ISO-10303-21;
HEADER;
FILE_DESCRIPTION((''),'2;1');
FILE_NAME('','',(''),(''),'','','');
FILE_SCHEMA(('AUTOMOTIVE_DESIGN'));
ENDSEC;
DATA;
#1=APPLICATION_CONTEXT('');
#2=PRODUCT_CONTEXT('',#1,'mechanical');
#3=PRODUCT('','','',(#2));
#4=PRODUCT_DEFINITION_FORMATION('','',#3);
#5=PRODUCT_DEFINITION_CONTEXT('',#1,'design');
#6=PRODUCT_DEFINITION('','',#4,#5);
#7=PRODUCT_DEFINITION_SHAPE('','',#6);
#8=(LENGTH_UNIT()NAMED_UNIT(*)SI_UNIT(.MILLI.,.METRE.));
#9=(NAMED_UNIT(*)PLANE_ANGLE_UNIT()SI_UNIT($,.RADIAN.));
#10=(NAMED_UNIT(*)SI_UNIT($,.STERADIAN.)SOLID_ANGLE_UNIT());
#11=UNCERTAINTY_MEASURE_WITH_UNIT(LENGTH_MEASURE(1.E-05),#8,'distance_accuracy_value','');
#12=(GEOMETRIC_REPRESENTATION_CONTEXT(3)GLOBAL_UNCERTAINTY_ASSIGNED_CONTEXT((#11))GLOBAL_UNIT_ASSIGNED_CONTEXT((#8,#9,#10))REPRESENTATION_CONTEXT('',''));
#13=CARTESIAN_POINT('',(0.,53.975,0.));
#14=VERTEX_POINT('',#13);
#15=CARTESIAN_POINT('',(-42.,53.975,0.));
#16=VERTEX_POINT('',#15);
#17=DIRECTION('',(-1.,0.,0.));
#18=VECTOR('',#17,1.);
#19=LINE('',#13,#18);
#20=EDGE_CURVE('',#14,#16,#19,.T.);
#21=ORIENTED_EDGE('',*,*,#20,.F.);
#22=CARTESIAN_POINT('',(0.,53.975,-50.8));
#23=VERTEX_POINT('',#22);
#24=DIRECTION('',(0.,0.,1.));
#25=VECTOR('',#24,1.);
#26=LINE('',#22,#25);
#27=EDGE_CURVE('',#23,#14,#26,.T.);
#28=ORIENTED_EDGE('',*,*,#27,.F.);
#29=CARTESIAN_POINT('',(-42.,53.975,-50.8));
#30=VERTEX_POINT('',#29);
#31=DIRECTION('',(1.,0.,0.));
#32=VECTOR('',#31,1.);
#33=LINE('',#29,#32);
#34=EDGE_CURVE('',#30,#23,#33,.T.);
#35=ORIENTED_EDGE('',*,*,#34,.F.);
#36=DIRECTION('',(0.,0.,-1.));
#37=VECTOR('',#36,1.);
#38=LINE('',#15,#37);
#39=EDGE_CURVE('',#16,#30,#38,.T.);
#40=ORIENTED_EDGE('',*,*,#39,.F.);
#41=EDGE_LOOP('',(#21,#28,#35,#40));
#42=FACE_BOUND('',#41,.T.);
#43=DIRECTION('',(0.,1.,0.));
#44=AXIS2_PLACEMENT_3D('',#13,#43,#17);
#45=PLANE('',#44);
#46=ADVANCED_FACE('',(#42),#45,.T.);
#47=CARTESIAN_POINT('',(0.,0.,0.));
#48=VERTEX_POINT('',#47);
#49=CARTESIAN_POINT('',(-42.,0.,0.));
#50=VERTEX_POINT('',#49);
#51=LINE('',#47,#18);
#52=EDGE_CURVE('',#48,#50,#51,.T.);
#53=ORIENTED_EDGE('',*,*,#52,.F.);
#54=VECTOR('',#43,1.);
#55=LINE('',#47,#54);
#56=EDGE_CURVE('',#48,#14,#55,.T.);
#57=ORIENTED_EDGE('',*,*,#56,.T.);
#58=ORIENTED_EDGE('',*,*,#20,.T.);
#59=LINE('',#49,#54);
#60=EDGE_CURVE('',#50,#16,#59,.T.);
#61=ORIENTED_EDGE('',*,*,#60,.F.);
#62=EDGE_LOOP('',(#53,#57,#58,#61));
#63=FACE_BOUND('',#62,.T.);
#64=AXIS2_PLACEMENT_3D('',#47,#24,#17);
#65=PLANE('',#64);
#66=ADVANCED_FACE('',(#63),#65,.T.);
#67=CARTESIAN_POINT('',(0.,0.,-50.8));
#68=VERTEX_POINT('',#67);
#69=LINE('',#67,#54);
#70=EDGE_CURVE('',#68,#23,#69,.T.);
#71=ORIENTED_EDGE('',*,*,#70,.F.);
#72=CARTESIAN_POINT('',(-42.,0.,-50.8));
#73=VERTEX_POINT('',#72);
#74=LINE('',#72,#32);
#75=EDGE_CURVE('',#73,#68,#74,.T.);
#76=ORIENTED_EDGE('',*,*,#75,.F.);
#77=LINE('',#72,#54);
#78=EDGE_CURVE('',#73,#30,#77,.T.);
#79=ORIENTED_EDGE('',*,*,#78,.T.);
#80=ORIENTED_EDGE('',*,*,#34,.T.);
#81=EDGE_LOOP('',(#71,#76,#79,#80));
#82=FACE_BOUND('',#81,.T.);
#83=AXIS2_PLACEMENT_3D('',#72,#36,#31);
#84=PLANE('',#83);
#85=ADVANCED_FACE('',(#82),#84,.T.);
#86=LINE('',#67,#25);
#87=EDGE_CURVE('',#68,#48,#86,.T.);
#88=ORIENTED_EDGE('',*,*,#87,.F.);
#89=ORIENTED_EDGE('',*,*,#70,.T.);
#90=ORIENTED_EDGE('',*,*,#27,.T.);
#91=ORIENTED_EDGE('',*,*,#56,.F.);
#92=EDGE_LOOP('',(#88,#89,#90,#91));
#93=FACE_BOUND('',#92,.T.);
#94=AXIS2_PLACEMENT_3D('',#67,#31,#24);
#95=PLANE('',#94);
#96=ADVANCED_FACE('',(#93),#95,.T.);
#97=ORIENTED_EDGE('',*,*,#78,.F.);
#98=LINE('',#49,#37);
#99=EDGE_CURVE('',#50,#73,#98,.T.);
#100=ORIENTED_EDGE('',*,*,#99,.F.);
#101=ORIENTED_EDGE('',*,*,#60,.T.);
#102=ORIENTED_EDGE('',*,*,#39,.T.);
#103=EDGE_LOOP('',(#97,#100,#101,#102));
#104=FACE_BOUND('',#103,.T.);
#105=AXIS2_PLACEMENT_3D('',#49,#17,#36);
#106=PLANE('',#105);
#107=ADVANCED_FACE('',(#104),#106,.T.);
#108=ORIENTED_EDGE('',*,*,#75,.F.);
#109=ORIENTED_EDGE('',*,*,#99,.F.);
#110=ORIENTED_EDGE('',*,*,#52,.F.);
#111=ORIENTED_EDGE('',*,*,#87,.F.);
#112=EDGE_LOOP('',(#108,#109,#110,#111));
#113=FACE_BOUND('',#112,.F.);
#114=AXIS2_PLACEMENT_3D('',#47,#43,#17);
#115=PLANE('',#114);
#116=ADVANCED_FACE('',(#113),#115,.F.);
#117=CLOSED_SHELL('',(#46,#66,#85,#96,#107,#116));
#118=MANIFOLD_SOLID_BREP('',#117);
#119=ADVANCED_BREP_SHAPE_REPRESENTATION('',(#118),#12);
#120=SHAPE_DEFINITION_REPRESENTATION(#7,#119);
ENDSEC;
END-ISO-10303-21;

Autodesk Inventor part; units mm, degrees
ref_plane "YZ Plane" through (0, 0, 0) normal (1, 0, 0) x (0, 1, 0)
ref_plane "XZ Plane" through (0, 0, 0) normal (0, 1, 0) x (-1, 0, 0)
ref_plane "XY Plane" through (0, 0, 0) normal (0, 0, 1) x (1, 0, 0)
sketch "Sketch1" plane through (0, 0, 0) normal (0, 1, 0) x (-1, 0, 0)
  line L0 (0, 0) -> (42, 0)
  line L1 (42, 0) -> (42, -50.8)
  line L2 (42, -50.8) -> (0, -50.8)
  line L3 (0, -50.8) -> (0, 0)
  dimension "d0" = 42
  dimension "d1" = 50.8
extrude "Extrusion1" add sketch "Sketch1" along normal blind 53.975
properties part number "12v"
